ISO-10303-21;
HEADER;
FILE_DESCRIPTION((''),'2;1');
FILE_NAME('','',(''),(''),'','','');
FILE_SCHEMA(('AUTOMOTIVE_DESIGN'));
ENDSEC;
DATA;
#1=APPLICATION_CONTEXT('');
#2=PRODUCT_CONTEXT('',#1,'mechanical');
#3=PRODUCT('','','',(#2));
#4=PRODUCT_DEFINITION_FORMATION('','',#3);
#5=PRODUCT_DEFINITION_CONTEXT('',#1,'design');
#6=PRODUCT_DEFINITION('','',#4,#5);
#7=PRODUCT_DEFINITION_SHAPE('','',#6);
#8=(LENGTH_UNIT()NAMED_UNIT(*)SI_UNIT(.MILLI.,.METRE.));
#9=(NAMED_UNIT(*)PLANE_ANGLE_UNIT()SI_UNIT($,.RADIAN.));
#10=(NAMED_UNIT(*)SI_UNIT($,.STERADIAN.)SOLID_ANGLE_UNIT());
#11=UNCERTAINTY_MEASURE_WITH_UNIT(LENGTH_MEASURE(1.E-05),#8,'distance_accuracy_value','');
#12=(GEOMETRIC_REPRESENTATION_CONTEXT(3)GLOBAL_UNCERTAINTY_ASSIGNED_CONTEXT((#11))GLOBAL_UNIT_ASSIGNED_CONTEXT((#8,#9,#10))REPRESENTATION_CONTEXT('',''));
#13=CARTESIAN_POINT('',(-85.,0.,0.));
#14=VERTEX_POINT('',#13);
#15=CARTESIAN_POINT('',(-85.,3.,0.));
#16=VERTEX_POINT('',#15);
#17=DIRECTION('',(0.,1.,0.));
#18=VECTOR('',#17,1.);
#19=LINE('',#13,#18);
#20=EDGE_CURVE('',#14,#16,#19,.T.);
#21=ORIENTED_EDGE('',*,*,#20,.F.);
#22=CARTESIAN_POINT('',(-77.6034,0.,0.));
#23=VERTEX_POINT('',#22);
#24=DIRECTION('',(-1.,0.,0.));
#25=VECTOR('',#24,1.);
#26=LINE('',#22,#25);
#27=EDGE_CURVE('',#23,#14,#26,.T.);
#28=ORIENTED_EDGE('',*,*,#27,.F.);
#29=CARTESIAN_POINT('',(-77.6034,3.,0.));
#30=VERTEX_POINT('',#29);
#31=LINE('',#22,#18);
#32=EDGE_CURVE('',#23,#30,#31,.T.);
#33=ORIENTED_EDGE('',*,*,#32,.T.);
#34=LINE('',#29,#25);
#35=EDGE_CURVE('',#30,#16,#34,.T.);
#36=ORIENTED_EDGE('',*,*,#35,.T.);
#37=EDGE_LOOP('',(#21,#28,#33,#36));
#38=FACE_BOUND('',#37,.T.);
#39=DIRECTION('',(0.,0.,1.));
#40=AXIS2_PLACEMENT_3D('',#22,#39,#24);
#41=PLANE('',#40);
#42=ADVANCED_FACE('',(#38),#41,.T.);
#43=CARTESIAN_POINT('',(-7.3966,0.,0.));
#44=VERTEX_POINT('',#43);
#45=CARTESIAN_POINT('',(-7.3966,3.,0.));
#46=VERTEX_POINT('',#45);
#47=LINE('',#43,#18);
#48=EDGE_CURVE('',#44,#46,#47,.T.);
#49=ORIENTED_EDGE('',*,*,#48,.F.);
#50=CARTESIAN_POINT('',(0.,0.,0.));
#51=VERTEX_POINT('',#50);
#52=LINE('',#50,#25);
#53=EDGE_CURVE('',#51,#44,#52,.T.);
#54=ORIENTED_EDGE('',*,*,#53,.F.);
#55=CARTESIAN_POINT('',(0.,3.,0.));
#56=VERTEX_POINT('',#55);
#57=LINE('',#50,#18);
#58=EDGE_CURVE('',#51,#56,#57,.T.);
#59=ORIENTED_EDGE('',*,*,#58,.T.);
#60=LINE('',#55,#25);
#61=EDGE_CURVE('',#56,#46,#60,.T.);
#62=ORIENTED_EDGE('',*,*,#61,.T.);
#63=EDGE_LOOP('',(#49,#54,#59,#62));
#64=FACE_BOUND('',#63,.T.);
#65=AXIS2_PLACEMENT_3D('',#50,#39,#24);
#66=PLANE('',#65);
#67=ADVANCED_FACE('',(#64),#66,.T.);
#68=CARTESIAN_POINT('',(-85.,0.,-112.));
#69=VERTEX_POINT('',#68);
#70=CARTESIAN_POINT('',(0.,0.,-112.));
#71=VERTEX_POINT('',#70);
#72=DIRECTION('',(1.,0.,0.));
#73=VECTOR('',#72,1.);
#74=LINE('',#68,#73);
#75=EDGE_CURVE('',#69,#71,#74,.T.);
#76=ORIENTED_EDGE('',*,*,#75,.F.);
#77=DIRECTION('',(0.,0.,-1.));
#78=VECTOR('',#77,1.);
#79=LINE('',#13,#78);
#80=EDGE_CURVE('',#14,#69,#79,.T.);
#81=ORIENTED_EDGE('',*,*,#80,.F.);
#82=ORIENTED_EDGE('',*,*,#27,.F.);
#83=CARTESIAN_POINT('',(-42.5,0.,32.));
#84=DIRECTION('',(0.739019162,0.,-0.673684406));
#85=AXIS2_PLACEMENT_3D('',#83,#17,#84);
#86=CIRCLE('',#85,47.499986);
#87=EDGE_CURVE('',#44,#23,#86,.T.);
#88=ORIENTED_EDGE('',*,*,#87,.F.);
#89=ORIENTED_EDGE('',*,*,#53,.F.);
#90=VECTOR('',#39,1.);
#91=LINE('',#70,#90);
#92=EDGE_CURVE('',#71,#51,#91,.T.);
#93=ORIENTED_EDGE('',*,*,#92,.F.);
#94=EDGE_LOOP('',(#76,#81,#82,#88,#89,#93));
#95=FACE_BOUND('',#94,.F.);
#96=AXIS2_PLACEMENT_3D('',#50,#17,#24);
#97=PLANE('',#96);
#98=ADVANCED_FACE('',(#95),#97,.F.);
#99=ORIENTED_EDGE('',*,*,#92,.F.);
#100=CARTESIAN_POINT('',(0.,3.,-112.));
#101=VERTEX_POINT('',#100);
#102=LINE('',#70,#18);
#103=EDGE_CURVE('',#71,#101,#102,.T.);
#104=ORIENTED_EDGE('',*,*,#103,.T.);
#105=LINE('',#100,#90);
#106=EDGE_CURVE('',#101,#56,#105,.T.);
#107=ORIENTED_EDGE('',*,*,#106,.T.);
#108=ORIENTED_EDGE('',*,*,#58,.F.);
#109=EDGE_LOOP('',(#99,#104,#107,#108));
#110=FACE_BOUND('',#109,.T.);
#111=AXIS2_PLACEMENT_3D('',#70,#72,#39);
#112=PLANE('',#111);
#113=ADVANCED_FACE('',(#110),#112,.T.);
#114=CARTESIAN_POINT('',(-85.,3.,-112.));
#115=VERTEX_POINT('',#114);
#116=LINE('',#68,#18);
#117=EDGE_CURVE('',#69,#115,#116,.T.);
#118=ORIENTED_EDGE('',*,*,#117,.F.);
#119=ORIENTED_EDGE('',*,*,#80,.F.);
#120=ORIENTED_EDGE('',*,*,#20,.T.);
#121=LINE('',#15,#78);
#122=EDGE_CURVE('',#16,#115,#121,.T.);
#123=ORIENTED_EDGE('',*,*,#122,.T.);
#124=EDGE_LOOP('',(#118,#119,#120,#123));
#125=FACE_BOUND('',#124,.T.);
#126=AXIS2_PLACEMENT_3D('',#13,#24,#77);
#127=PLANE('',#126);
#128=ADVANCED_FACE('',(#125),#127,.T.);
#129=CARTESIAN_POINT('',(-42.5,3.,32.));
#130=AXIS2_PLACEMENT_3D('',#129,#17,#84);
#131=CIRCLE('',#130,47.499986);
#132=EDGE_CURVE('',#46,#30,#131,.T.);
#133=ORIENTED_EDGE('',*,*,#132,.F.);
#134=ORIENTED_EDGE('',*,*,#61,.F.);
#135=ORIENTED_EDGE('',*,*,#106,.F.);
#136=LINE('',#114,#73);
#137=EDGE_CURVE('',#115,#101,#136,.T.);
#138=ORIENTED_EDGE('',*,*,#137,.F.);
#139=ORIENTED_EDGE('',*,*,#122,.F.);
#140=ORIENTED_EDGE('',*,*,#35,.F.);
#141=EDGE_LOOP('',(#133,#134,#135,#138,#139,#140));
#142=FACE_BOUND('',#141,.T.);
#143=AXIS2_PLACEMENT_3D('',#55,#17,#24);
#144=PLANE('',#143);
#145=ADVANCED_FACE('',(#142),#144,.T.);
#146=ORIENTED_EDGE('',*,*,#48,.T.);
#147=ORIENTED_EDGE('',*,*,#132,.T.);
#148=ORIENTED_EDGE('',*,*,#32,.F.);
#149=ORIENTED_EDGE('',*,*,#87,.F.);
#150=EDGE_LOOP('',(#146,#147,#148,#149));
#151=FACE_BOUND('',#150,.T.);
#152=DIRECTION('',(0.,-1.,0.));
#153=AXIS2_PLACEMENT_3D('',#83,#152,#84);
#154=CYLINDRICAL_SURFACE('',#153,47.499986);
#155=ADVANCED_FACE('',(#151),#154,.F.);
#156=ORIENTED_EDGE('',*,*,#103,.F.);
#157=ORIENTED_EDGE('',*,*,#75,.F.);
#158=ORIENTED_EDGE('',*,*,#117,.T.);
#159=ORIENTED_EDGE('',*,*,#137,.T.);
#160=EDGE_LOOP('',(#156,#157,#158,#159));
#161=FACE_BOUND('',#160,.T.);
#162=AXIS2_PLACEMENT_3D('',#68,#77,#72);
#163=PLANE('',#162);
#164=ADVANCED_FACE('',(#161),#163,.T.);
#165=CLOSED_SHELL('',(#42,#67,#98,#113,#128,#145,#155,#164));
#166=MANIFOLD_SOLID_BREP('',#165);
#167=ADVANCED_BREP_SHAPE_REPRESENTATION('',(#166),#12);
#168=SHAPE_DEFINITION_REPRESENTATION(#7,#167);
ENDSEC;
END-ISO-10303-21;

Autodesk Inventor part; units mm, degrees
ref_plane "YZ Plane" through (0, 0, 0) normal (1, 0, 0) x (0, 1, 0)
ref_plane "XZ Plane" through (0, 0, 0) normal (0, 1, 0) x (-1, 0, 0)
ref_plane "XY Plane" through (0, 0, 0) normal (0, 0, 1) x (1, 0, 0)
sketch "Sketch1" plane through (0, 0, 0) normal (0, 1, 0) x (-1, 0, 0)
  line L0 (85, 0) -> (85, -112)
  line L1 (85, -112) -> (0, -112)
  line L2 (0, -112) -> (0, 0)
  arc A0 (7.3966, 0) -> (77.6034, 0) centre (42.5, 32) ccw
  line L3 (0, 0) -> (7.3966, 0)
  line L4 (77.6034, 0) -> (85, 0)
  dimension "d0" = 112
  dimension "d1" = 85
extrude "Extrusion1" add sketch "Sketch1" along normal blind 3
properties part number "Electronics Plate"
